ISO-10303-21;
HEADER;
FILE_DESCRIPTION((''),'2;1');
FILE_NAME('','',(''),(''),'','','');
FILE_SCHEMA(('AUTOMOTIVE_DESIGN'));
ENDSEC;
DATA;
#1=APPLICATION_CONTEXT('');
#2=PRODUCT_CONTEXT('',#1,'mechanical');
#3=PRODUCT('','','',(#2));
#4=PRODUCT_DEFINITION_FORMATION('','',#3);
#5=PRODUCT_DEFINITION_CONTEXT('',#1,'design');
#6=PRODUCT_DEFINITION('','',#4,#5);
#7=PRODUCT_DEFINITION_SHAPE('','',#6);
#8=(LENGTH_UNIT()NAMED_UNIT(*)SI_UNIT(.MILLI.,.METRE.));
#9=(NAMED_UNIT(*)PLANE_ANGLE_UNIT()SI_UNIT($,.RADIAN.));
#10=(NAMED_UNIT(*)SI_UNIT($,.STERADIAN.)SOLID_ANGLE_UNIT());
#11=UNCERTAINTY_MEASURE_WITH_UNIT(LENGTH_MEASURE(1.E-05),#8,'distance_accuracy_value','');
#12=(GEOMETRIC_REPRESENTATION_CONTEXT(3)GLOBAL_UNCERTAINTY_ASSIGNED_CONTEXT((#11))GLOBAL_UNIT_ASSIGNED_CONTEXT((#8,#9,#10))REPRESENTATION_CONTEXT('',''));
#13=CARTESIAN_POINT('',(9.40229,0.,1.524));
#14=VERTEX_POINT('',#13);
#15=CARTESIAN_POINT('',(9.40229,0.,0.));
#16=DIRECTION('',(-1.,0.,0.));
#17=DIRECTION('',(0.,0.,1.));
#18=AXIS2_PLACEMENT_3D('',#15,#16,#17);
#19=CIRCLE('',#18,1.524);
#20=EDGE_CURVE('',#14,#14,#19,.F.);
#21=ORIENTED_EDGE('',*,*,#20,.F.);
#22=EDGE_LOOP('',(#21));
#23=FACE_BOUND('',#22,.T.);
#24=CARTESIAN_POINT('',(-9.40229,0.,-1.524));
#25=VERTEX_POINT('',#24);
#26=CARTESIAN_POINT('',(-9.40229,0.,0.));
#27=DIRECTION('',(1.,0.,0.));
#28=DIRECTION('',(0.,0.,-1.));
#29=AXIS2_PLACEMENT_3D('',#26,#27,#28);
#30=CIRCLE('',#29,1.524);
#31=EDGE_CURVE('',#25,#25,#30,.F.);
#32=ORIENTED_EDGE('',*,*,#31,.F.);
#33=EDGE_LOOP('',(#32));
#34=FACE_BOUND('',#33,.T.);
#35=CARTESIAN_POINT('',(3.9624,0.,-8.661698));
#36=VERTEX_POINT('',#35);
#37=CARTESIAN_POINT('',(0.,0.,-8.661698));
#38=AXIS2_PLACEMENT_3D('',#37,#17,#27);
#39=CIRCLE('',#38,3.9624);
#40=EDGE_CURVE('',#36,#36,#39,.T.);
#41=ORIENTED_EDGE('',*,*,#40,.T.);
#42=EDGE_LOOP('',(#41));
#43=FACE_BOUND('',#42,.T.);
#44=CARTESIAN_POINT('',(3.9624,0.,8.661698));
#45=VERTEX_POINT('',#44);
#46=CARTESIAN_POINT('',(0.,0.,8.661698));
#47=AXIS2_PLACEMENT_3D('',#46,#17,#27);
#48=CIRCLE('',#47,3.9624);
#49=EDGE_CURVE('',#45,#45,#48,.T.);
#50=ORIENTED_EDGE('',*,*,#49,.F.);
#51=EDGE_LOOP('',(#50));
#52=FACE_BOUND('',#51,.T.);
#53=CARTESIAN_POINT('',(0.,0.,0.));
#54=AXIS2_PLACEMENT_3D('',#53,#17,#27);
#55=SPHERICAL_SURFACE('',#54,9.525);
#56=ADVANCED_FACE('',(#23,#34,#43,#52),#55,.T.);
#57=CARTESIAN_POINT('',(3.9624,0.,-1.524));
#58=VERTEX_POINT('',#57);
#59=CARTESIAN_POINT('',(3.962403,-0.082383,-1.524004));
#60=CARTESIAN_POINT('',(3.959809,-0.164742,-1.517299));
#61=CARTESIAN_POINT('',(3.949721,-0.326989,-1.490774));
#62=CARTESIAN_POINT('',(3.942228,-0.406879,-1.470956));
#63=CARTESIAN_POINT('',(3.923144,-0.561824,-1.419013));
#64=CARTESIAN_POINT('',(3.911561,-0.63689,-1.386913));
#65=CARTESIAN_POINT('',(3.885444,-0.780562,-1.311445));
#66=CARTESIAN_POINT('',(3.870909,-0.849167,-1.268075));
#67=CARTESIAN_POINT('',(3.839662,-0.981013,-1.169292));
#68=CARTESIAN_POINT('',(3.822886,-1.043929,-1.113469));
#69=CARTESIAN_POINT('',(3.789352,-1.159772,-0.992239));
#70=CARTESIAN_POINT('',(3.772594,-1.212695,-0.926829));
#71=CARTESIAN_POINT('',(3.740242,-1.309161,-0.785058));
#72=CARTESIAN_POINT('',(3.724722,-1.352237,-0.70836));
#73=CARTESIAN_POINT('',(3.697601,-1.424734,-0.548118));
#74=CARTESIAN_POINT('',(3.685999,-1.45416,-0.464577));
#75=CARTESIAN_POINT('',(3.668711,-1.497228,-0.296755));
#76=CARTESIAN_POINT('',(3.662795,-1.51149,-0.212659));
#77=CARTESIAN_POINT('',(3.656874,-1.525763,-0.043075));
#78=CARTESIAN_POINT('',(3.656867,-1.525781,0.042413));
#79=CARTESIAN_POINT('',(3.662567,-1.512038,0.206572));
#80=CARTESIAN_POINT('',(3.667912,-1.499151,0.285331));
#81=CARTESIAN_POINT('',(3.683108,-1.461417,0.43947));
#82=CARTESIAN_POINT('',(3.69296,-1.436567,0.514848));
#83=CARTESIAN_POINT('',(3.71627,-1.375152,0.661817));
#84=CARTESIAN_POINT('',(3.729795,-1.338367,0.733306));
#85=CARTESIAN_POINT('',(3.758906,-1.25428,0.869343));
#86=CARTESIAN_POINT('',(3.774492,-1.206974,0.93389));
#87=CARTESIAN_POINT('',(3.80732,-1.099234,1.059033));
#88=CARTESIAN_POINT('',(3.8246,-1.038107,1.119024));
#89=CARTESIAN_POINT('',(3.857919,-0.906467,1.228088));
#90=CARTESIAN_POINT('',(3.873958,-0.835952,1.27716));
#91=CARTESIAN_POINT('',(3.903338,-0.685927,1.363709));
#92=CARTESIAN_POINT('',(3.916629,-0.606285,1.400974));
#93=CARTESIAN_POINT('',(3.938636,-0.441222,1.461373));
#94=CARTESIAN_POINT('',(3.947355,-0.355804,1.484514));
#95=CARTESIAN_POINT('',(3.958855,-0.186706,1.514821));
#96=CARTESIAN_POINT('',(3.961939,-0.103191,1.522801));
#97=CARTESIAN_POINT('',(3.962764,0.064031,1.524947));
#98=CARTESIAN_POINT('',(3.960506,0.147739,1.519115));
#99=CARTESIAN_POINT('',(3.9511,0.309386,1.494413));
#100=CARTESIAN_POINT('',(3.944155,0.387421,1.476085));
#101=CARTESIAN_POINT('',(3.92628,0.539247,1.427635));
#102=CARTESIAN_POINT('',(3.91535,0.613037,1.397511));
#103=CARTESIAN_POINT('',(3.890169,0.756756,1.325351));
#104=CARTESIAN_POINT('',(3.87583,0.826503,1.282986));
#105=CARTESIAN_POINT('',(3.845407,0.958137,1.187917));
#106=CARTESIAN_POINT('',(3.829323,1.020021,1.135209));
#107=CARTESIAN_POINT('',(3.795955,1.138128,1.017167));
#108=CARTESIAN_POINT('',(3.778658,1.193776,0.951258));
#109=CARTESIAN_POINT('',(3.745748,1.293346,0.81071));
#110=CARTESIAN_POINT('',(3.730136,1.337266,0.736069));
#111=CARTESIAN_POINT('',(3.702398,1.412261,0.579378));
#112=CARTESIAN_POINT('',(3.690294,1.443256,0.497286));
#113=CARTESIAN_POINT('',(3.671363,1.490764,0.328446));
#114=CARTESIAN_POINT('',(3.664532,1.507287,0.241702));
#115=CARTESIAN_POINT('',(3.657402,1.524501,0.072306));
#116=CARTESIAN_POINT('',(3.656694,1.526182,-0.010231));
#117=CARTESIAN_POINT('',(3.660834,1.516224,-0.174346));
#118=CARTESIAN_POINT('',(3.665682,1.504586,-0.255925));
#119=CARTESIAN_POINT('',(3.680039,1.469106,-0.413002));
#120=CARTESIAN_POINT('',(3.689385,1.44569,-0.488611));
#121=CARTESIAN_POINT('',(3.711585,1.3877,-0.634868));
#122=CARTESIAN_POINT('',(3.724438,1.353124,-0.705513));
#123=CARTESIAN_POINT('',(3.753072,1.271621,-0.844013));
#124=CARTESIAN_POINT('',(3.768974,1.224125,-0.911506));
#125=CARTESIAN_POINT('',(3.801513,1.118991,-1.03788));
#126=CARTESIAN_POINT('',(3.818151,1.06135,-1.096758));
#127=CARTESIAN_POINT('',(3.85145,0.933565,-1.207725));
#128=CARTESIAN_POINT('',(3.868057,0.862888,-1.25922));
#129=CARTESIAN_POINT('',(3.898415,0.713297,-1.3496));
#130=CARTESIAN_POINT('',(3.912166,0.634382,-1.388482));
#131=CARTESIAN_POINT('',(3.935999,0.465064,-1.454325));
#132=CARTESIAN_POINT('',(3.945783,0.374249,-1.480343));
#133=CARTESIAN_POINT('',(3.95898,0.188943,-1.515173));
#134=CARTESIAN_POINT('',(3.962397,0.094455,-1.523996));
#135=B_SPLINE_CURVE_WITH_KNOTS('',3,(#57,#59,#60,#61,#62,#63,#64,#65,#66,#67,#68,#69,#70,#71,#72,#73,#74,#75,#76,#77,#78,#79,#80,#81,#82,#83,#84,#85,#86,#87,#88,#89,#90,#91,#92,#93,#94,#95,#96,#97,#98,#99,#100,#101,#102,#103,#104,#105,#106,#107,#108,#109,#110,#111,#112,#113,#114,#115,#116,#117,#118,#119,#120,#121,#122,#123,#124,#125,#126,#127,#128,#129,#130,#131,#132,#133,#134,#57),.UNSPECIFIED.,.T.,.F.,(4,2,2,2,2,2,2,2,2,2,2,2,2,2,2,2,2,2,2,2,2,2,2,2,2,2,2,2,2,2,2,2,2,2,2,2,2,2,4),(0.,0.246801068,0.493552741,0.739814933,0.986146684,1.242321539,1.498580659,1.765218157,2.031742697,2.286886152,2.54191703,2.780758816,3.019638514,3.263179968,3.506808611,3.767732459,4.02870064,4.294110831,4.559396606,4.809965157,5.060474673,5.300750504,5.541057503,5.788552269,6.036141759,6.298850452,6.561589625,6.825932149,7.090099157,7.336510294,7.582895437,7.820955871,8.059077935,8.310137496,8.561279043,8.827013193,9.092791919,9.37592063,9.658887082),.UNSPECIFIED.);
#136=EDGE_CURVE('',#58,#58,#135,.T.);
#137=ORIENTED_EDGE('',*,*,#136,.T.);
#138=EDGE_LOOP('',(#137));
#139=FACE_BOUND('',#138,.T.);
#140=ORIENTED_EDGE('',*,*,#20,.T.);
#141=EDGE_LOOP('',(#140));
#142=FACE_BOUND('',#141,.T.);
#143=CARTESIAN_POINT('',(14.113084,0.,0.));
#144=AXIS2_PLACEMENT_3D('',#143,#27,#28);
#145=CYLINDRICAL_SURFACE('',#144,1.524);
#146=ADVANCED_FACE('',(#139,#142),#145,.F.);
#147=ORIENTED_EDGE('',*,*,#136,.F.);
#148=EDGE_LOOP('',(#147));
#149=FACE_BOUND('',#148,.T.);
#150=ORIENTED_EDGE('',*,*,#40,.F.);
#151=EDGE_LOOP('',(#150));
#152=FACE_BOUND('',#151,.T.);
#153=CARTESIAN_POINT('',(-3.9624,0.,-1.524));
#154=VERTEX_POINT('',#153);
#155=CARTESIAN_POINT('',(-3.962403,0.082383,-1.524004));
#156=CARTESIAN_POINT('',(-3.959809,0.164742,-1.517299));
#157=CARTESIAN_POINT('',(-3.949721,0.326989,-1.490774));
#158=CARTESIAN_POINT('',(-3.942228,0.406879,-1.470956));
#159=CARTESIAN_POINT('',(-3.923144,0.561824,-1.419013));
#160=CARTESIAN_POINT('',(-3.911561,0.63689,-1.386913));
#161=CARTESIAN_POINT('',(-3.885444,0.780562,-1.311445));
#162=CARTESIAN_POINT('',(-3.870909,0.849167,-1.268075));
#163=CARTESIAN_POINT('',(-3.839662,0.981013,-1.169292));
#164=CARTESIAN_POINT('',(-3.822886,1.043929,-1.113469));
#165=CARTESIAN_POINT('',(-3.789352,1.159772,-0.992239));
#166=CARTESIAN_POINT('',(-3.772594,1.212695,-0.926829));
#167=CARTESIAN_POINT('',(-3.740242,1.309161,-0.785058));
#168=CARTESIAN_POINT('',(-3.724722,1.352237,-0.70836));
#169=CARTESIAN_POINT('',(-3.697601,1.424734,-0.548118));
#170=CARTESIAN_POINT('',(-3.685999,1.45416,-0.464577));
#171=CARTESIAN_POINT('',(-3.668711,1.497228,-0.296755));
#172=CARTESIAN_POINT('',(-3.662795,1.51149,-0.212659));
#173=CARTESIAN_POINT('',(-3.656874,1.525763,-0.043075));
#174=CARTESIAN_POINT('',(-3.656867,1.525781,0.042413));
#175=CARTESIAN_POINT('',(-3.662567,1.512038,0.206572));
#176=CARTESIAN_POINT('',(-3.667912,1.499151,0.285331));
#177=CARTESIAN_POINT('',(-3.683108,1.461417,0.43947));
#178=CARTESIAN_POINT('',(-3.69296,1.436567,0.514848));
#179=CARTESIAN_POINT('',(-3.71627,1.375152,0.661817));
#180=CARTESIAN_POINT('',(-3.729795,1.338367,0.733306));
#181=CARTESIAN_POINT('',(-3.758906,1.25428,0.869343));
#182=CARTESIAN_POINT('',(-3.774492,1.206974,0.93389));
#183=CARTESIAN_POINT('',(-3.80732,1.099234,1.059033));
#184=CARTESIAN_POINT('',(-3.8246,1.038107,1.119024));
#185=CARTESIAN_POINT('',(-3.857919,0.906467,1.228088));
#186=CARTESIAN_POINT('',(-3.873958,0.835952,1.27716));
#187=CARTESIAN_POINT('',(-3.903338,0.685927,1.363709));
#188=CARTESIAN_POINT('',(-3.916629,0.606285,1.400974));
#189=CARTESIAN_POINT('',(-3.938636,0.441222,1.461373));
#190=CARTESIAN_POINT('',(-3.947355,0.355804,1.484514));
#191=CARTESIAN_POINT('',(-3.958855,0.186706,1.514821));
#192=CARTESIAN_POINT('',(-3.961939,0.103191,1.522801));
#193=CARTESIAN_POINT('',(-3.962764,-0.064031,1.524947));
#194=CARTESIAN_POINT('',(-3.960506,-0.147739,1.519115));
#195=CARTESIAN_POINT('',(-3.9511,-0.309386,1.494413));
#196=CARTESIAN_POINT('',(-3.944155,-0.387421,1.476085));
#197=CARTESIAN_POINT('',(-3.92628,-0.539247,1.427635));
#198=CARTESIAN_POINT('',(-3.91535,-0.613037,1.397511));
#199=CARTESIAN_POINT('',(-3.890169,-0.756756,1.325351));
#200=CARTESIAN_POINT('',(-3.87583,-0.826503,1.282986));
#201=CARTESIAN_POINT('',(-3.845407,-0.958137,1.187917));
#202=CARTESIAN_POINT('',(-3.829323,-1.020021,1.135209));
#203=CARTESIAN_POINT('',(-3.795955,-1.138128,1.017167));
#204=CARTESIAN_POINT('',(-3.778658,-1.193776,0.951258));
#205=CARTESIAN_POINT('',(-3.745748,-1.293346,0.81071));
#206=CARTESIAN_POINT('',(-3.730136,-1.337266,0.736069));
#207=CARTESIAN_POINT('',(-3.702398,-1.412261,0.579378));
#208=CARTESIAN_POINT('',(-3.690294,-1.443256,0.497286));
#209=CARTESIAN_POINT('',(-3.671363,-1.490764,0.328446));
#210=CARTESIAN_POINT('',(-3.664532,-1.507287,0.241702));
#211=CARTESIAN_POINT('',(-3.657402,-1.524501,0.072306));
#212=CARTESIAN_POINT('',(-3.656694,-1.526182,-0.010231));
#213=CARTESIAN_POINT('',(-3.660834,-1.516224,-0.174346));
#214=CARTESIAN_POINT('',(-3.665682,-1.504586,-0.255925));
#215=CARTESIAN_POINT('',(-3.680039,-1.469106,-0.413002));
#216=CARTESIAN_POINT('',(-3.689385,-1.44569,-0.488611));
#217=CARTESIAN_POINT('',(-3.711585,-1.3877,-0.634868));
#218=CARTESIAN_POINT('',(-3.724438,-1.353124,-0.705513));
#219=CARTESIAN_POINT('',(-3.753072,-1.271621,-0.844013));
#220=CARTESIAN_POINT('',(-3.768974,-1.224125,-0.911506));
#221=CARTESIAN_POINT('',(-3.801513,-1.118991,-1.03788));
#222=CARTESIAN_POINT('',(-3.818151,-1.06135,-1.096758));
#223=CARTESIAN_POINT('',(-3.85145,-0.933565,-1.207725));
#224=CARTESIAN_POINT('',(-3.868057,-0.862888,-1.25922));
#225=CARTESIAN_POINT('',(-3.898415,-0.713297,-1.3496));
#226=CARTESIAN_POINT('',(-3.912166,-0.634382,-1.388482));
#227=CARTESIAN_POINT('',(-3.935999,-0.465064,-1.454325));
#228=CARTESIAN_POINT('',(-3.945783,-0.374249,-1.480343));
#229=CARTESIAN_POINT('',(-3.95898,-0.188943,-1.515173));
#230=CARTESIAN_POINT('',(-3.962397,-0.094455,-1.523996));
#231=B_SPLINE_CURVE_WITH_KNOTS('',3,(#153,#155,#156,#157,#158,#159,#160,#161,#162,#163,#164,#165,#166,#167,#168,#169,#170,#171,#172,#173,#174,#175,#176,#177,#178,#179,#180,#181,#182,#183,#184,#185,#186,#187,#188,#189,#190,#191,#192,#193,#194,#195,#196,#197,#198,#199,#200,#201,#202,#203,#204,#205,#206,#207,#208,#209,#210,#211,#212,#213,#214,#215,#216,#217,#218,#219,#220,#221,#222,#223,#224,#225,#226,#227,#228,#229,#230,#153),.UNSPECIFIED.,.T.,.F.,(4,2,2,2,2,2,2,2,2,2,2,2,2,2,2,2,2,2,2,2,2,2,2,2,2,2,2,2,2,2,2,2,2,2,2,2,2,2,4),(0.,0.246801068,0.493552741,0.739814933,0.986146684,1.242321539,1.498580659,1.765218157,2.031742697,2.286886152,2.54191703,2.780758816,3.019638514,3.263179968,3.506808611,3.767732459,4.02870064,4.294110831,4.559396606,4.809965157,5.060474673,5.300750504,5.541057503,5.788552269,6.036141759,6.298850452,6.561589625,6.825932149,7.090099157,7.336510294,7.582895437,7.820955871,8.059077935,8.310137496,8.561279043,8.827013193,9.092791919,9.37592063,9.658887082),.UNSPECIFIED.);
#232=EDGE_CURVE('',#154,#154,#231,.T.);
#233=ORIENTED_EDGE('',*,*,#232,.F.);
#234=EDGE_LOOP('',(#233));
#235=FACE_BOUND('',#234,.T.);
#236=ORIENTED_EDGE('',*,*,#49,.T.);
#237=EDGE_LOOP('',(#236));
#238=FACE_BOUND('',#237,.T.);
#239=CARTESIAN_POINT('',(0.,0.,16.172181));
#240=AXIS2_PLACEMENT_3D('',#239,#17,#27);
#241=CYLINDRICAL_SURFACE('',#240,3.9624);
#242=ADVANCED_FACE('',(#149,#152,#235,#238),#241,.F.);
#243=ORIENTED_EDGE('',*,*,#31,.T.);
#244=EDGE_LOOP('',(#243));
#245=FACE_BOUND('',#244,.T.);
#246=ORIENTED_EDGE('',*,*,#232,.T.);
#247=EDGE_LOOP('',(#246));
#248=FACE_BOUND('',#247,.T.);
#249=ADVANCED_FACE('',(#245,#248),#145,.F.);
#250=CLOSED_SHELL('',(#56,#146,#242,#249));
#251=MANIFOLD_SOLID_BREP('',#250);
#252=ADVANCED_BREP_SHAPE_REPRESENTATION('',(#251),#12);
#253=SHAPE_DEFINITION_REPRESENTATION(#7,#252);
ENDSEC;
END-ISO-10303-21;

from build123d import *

# Parameters (mm, degrees)
SKETCH2_W = 31.354447878
SKETCH2_H = 1.524


with BuildPart() as part:
    # Sketch1 → Revolve1 (revolve)
    with BuildSketch(Plane(origin=(0, 0, 0), x_dir=(1, 0, 0), z_dir=(0, 1, 0))):
        with BuildLine():
            Line((3.9624, 8.661697942), (3.9624, -8.661697942))
            ThreePointArc((3.9624, -8.661697942), (9.525, 0), (3.9624, 8.661697942))
        make_face()
    revolve(axis=Axis((0, 0, 16.172180697), (0, 0, -1)))

    # Sketch2 → Cut-Revolve1 (revolve, cut)
    with BuildSketch(Plane(origin=(0, 0, 0), x_dir=(1, 0, 0), z_dir=(0, 1, 0))):
        with Locations((-1.564140393, 0.762)):
            Rectangle(SKETCH2_W, SKETCH2_H)
    revolve(axis=Axis((14.113083546, 0, 0), (-1, 0, 0)), mode=Mode.SUBTRACT)


solid = part.part
